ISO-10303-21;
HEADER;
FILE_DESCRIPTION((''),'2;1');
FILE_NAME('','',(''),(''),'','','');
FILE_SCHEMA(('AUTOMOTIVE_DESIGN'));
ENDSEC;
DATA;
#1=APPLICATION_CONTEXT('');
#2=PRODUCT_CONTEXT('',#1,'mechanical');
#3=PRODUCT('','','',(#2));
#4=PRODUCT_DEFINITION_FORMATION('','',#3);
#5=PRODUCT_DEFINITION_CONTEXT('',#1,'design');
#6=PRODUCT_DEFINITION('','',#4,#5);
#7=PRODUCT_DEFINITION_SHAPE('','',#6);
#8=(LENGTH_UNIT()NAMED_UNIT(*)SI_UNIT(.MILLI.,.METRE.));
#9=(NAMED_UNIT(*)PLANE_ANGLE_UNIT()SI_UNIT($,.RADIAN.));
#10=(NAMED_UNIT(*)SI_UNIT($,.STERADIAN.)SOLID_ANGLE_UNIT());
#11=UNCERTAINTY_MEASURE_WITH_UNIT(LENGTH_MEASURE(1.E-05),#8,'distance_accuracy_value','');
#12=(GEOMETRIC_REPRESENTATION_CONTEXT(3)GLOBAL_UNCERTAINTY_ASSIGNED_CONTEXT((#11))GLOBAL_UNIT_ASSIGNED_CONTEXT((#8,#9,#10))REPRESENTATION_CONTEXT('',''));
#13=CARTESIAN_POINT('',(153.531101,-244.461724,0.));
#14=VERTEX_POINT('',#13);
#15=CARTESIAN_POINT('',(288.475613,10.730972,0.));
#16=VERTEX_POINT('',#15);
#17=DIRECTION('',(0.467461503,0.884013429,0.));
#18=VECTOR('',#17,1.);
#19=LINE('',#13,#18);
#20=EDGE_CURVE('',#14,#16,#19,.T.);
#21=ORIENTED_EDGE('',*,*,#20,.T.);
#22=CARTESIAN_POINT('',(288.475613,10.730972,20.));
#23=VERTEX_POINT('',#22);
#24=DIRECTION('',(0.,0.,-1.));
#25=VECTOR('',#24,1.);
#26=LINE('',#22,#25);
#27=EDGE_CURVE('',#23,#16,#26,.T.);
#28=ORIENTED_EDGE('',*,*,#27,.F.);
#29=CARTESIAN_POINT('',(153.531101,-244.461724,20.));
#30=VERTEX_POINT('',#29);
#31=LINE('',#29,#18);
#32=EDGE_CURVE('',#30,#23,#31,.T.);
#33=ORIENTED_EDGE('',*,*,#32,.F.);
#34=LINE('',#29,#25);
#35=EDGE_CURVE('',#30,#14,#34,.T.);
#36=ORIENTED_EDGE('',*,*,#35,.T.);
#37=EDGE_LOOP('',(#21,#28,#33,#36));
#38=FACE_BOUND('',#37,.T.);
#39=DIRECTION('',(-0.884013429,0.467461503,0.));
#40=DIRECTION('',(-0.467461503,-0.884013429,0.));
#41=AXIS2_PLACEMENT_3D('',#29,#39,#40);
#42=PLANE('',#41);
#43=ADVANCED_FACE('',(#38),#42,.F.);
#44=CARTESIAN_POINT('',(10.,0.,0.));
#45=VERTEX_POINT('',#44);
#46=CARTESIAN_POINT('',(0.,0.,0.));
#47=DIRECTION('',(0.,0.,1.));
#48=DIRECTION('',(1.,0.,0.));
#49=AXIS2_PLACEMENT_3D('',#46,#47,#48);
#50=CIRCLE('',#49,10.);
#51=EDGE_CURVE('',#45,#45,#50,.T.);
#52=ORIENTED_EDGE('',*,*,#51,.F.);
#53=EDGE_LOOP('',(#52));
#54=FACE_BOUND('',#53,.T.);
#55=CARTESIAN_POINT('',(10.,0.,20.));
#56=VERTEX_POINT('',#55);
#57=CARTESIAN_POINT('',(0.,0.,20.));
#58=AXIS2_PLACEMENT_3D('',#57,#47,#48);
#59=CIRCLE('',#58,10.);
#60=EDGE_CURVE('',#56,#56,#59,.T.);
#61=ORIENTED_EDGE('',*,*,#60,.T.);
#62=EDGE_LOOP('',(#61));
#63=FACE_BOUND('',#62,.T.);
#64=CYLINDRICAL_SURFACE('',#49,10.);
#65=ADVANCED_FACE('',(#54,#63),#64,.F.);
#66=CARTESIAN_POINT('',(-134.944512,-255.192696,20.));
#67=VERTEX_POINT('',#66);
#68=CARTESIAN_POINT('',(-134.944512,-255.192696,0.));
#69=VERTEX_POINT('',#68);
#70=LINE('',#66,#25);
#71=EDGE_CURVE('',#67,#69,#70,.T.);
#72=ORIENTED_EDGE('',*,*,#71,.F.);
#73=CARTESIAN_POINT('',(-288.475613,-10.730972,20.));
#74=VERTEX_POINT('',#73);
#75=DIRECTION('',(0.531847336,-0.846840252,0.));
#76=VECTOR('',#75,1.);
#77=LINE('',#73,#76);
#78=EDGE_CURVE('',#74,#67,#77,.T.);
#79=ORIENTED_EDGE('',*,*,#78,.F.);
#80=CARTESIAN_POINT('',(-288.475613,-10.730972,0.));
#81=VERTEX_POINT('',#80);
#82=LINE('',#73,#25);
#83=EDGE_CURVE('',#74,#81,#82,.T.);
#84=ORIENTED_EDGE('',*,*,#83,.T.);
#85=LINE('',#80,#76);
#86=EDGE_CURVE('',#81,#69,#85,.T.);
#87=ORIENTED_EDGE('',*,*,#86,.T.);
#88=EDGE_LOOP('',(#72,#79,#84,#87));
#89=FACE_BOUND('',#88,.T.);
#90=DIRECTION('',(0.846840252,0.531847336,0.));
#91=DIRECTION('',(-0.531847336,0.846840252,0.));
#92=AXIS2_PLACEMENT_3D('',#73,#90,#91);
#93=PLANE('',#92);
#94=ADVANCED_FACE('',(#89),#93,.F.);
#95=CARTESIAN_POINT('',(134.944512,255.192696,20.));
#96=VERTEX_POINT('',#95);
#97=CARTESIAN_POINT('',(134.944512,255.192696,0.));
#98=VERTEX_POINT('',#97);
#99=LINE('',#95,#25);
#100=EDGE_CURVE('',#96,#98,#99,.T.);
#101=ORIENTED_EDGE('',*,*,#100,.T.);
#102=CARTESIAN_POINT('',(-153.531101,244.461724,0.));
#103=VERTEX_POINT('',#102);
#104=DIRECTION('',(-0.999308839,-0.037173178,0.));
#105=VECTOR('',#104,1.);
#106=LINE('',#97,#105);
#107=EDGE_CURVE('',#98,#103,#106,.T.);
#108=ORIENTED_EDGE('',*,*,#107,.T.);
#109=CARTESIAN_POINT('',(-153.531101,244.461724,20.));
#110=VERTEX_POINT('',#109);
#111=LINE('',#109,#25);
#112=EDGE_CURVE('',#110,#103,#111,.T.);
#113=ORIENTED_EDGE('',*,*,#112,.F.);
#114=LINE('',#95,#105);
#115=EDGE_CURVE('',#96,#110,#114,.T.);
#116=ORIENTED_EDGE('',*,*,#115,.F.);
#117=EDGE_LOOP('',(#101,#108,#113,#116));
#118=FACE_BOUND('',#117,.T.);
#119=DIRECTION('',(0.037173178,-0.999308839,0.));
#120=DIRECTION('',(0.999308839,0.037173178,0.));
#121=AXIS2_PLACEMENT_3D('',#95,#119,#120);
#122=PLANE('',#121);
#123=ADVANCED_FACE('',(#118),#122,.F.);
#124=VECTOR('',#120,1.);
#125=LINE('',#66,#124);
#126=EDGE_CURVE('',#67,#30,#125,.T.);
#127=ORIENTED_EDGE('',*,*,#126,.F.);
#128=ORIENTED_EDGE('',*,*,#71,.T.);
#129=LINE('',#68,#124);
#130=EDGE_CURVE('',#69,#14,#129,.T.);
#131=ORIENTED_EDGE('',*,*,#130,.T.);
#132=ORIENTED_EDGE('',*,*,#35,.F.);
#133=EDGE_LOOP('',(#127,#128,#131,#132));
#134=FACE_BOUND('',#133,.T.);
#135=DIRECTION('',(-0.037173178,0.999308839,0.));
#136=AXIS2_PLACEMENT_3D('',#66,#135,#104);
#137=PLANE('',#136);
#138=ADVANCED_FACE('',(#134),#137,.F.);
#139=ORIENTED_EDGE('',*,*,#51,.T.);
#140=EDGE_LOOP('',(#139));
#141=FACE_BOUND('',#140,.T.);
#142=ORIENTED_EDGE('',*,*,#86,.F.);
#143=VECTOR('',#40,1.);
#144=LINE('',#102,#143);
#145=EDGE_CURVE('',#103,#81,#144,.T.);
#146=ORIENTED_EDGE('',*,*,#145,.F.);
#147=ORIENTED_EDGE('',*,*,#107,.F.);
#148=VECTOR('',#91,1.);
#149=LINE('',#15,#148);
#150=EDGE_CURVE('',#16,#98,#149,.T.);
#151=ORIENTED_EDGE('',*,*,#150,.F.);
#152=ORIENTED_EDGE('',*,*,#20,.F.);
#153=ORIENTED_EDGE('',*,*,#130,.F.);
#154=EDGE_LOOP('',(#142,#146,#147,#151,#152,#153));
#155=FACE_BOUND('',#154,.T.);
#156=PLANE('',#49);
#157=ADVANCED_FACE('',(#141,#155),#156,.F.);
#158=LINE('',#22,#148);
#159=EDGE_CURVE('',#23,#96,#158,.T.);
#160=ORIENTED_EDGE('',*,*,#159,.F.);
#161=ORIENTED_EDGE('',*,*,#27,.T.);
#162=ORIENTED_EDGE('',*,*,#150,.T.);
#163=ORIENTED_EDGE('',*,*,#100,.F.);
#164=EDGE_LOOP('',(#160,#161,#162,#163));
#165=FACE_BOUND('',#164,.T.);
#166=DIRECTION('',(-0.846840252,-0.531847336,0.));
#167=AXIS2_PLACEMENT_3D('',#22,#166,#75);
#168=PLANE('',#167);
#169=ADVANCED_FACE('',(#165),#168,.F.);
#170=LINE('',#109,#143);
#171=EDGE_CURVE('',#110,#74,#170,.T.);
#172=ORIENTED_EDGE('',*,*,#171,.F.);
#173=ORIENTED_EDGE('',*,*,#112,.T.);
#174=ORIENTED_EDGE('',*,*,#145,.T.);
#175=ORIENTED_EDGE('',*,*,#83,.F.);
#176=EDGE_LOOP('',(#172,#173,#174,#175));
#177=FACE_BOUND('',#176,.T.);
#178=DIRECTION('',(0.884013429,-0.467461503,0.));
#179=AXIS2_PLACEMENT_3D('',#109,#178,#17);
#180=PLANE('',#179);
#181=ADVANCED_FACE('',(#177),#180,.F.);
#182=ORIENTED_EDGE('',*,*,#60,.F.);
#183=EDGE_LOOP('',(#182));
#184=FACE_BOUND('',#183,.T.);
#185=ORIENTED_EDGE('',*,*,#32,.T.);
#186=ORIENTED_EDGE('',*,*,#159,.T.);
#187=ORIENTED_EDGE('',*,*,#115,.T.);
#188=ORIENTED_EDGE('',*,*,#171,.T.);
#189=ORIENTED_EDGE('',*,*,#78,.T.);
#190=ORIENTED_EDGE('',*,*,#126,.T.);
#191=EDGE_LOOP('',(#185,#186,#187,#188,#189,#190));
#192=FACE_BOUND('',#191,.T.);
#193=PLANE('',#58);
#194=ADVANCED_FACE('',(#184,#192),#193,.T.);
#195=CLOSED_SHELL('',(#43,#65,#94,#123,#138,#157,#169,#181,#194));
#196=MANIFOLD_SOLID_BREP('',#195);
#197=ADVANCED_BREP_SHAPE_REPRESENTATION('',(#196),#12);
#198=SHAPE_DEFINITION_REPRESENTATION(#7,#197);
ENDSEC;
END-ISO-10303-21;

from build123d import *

# Parameters (mm, degrees)
BOSS_EXTRUDE1_DEPTH = 20
SKETCH2_R           = 10
CUT_EXTRUDE1_DEPTH  = 20


with BuildPart() as part:
    # Sketch1 → Boss-Extrude1 (new body)
    with BuildSketch(Plane.XY):
        Polygon((153.531101176, -244.461723599), (288.475613478, 10.73097209), (134.944512302, 255.192695689), (-153.531101176, 244.461723599), (-288.475613478, -10.73097209), (-134.944512302, -255.192695689), align=None)
    extrude(amount=BOSS_EXTRUDE1_DEPTH)

    # Sketch2 → Cut-Extrude1 (cut)
    with BuildSketch(Plane.XY.offset(20)):
        Circle(SKETCH2_R)
    extrude(amount=-CUT_EXTRUDE1_DEPTH, mode=Mode.SUBTRACT)


solid = part.part
